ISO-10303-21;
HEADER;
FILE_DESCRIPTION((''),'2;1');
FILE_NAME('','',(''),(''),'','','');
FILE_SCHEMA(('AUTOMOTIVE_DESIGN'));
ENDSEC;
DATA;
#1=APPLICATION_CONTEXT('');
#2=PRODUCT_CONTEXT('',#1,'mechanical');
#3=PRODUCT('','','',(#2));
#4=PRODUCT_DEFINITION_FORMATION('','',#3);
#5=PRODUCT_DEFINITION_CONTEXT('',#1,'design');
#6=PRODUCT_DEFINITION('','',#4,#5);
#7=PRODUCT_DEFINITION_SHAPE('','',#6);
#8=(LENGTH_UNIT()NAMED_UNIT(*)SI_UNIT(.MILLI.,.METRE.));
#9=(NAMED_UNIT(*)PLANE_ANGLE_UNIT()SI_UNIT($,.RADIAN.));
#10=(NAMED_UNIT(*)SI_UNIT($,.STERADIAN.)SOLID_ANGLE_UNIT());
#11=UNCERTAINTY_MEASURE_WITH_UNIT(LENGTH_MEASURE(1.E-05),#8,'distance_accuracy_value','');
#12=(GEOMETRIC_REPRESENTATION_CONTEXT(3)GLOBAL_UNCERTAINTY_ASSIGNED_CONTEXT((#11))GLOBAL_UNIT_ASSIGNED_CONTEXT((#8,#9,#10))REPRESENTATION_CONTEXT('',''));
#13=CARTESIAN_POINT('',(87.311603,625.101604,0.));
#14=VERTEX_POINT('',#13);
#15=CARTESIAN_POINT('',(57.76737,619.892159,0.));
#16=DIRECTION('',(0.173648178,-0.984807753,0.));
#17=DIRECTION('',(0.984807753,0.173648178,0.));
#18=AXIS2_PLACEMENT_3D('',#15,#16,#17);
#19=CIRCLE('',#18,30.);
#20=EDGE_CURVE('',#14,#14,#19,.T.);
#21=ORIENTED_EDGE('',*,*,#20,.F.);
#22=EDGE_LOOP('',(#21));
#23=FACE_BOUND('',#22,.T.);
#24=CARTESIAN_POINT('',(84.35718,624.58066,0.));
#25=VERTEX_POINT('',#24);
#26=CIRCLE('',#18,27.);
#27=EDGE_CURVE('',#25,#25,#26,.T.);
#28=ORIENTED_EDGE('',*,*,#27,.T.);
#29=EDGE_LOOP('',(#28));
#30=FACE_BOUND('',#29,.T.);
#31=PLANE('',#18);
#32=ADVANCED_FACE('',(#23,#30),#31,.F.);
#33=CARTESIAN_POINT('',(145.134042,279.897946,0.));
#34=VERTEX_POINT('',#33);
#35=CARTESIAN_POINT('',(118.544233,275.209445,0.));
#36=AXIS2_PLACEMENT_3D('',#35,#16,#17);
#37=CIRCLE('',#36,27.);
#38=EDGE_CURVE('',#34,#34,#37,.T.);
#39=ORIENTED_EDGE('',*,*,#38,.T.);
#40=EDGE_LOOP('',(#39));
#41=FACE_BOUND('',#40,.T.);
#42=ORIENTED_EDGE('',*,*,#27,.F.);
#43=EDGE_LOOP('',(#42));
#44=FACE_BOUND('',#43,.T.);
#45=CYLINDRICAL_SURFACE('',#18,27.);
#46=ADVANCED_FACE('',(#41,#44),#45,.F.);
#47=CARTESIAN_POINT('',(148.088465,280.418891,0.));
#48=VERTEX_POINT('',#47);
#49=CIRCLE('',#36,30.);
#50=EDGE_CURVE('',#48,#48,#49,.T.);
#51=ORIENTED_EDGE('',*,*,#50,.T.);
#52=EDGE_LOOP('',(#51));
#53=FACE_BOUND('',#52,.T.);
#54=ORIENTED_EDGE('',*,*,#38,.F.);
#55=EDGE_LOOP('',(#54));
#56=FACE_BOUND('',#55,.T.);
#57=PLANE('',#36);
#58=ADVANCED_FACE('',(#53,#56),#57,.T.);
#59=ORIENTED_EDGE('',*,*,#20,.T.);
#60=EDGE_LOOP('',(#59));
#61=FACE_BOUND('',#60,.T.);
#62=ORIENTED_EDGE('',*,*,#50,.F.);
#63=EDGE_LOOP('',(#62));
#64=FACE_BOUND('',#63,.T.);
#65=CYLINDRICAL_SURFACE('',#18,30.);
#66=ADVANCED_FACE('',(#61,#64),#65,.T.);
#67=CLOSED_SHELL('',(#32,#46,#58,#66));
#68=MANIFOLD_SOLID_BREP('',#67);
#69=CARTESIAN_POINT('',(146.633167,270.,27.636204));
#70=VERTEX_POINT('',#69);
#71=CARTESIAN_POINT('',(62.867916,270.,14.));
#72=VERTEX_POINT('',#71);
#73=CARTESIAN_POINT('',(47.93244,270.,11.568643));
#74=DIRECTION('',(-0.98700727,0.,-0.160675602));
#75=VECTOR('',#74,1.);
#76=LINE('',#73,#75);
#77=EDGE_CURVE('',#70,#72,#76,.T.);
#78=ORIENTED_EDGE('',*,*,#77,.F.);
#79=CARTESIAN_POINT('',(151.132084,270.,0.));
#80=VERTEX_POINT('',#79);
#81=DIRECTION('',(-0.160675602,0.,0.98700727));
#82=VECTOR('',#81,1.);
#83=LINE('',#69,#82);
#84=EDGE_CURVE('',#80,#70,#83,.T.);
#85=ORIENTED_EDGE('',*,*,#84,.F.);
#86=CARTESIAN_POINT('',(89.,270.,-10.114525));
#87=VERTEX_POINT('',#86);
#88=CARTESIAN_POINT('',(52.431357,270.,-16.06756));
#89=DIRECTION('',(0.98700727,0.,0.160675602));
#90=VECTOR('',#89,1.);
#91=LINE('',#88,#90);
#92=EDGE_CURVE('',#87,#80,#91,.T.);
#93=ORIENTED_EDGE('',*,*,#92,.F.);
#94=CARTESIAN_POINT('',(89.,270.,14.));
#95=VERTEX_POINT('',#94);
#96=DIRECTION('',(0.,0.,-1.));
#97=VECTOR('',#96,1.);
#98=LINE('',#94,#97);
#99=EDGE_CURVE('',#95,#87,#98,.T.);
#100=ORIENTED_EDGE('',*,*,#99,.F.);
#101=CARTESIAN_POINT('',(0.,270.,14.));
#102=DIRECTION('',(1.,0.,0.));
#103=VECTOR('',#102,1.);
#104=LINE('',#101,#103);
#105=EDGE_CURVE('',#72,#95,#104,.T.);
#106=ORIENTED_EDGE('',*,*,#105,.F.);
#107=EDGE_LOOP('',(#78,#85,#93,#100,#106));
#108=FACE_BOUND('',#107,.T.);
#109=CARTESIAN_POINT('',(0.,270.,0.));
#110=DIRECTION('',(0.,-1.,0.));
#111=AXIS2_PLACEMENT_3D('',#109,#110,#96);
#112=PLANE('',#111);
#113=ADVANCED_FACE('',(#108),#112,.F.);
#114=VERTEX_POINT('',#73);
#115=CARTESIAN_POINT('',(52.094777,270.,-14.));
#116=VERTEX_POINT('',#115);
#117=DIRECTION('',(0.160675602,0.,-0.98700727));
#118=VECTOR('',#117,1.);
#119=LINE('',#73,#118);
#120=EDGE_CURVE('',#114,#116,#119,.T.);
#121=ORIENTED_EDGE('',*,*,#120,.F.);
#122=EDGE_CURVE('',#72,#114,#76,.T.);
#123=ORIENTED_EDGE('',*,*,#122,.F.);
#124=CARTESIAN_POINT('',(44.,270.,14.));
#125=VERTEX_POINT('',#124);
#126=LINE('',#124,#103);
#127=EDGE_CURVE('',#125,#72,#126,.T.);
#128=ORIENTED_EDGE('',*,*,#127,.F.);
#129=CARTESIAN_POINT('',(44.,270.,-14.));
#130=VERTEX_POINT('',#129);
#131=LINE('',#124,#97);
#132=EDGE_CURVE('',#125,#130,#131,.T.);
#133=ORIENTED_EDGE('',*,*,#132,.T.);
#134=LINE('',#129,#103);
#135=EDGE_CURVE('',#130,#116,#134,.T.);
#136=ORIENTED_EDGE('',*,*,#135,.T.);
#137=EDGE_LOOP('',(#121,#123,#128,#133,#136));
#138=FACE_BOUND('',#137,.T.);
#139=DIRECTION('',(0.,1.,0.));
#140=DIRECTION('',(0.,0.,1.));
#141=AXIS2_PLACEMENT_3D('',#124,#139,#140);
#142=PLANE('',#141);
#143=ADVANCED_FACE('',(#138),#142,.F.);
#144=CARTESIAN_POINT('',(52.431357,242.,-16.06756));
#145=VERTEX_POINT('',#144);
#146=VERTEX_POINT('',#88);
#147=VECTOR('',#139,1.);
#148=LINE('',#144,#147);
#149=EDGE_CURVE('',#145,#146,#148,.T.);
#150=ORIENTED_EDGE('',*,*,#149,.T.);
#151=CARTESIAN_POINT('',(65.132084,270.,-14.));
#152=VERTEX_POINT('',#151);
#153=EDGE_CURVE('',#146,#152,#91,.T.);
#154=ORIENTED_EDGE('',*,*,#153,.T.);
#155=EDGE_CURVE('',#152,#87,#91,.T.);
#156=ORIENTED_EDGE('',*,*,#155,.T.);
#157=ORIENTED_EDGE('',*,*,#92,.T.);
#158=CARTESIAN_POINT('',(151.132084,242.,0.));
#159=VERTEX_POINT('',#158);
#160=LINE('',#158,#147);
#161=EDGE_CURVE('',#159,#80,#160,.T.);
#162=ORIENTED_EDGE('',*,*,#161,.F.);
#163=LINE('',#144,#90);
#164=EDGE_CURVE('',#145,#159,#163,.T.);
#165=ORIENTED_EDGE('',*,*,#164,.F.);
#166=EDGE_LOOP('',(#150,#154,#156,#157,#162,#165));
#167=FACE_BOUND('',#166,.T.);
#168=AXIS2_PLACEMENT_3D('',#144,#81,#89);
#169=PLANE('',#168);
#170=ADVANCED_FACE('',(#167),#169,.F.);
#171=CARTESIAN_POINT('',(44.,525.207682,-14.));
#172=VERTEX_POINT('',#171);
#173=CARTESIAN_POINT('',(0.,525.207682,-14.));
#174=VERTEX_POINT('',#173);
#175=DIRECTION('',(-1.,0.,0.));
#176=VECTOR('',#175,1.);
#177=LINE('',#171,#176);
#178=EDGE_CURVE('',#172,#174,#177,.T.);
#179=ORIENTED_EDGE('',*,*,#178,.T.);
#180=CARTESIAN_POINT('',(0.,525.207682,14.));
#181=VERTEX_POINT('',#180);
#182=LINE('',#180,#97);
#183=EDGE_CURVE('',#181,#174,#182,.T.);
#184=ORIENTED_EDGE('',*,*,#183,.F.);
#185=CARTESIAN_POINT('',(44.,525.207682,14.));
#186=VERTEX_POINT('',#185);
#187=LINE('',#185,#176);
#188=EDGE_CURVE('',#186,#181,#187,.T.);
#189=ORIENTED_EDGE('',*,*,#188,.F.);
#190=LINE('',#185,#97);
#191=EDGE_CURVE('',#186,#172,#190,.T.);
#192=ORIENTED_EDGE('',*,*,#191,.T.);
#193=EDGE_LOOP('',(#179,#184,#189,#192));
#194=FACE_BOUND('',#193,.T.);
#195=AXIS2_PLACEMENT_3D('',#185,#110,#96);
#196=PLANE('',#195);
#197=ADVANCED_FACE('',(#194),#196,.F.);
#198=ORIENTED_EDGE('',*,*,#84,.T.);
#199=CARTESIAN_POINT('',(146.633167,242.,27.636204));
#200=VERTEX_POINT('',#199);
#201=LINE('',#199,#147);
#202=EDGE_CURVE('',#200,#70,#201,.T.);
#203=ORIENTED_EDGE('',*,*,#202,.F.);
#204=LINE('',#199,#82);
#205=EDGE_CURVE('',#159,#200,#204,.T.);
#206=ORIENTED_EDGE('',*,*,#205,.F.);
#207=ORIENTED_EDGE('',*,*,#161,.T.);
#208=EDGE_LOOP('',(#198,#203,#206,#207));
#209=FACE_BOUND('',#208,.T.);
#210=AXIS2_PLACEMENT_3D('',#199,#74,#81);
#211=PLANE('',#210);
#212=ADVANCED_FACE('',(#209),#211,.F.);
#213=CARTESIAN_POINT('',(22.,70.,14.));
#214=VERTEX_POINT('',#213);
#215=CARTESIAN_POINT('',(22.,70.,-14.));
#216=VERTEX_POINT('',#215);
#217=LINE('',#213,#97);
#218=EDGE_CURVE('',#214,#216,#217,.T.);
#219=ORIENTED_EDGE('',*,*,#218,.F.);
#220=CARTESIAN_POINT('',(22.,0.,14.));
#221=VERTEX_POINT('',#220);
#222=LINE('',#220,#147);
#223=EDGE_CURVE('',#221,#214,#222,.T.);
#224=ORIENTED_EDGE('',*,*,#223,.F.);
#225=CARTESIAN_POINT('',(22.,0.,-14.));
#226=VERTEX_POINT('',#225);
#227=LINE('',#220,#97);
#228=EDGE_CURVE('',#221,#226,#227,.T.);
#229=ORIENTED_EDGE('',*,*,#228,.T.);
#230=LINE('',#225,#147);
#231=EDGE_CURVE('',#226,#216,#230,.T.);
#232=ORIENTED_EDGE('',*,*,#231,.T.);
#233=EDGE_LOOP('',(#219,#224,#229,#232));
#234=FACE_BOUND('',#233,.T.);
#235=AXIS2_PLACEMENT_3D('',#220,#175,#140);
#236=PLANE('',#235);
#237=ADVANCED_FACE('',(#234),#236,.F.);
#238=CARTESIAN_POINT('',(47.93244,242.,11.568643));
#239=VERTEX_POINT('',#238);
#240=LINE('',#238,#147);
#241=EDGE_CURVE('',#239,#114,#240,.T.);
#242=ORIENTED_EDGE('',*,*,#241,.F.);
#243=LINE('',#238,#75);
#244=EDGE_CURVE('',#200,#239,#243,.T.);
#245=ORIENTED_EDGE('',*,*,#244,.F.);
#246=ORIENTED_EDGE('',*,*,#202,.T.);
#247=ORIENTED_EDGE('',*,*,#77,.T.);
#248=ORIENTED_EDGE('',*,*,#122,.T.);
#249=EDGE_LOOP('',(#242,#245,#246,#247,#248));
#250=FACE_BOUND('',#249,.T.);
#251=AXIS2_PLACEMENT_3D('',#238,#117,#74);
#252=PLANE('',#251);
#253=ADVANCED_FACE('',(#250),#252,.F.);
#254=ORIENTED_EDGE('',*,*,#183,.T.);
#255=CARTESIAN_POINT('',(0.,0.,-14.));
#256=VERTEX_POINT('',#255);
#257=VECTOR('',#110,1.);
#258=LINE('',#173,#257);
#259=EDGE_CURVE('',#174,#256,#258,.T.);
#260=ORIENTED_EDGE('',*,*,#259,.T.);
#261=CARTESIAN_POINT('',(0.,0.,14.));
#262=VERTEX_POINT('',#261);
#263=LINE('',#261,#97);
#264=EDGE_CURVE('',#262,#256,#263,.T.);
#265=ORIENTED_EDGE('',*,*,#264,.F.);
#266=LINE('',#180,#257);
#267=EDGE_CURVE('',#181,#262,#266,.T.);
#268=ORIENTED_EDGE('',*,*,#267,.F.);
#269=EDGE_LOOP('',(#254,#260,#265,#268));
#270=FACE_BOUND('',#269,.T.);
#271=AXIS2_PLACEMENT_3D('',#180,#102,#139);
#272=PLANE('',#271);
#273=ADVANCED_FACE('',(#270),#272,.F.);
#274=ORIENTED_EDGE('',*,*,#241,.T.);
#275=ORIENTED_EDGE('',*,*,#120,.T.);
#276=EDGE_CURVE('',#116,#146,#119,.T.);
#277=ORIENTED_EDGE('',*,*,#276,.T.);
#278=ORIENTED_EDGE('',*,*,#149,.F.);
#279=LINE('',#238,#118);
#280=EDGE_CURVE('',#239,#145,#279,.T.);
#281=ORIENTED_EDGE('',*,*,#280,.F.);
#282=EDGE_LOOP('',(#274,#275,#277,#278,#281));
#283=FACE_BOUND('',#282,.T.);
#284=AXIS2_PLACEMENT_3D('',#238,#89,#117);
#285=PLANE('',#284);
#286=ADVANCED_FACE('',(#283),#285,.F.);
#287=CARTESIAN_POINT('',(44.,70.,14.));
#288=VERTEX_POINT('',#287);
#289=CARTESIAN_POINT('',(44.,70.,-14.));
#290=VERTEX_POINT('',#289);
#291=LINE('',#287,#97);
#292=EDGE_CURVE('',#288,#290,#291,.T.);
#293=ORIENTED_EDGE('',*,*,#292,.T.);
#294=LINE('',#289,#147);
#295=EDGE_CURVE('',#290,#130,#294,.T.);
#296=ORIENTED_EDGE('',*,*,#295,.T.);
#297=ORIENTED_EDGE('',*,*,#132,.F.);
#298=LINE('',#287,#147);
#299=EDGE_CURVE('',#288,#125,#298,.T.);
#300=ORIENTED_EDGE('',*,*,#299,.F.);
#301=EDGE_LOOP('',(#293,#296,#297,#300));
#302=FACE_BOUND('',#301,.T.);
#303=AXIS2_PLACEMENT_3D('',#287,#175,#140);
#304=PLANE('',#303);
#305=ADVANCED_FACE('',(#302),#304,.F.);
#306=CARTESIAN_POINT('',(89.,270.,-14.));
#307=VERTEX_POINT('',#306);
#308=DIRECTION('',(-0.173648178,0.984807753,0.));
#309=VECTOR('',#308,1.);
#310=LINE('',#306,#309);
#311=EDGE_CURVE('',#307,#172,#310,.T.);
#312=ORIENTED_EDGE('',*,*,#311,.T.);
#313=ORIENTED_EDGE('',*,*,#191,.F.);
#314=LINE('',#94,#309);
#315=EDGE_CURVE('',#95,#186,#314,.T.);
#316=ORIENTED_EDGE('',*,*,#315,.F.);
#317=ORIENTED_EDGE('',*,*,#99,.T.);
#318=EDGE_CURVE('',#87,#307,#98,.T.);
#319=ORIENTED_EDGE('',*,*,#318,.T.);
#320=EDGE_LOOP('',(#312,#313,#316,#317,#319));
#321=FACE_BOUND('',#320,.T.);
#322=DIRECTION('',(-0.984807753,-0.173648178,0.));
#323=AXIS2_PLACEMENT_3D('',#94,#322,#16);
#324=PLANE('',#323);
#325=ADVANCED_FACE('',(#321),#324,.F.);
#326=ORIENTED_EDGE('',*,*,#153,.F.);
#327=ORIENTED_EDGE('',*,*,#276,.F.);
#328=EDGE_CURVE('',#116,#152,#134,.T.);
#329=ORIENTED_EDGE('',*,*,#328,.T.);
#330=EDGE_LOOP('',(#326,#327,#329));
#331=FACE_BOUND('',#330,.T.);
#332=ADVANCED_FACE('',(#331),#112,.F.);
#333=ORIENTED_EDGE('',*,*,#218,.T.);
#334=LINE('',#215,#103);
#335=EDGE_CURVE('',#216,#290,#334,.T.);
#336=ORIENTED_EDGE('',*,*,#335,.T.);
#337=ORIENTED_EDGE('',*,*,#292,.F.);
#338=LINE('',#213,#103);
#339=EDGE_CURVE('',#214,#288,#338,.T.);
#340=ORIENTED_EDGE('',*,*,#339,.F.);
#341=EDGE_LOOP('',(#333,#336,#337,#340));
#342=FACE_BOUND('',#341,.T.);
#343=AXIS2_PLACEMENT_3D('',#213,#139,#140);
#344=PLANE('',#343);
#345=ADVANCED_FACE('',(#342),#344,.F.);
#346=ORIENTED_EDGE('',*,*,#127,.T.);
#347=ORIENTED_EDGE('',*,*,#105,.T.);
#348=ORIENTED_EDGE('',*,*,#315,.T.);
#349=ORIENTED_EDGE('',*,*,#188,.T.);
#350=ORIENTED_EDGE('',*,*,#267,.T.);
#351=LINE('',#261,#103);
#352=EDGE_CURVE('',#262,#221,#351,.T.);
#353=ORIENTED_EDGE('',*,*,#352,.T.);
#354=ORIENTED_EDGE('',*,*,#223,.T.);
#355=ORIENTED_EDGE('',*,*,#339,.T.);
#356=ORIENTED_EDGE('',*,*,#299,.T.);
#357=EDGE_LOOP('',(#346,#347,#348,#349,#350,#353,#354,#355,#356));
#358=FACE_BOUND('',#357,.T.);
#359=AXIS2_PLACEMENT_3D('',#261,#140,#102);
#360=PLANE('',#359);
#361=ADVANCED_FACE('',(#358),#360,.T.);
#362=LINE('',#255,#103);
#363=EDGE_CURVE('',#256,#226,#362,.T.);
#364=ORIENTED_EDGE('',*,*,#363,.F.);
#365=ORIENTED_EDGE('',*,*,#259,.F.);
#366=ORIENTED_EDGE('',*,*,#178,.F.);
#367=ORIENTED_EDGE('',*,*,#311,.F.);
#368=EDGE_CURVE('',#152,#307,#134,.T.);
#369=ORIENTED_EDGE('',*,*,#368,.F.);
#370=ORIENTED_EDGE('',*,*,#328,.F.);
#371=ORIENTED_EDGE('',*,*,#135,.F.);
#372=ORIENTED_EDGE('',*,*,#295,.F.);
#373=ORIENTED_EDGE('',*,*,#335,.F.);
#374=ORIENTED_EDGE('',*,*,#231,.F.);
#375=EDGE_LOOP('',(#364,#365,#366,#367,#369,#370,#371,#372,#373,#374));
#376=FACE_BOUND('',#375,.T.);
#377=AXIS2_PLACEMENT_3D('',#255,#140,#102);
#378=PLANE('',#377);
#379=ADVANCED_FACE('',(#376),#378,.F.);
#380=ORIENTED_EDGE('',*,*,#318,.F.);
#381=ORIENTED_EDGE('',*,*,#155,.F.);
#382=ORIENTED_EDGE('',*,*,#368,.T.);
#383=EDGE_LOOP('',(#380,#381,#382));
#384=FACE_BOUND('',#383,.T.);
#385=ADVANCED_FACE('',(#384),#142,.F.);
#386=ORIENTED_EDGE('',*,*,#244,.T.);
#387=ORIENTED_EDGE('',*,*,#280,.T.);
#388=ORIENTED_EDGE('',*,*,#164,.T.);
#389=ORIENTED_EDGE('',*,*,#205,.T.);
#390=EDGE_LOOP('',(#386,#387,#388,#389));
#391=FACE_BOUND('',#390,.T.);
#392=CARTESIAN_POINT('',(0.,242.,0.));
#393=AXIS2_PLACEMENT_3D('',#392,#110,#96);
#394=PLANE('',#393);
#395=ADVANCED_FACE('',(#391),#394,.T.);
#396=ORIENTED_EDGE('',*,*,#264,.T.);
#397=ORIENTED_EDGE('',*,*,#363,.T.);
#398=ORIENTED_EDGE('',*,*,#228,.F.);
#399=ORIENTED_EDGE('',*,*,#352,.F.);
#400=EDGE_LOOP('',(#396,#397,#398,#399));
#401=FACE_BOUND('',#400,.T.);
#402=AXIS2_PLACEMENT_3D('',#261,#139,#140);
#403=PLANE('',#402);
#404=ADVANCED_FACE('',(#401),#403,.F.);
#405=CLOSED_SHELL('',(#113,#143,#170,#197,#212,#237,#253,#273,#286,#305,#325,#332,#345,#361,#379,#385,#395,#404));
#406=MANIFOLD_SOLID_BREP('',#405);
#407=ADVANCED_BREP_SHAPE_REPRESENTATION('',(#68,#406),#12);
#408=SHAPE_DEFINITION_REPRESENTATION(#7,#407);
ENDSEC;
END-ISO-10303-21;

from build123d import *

# Parameters (mm, degrees)
MAIN_EXTRUSION_DEPTH = 14
LOCK_EXTRUSION_DEPTH = 28
ESQUISSE3_R          = 30
ESQUISSE3_R_2        = 27
PLEXIGLAS_DEPTH      = 350


with BuildPart() as part:
    # Esquisse1 → Main Extrusion (new body, symmetric)
    with BuildSketch(Plane.XY):
        Polygon((0, 525.207681883), (0, 0), (22, 0), (22, 70), (44, 70), (44, 270), (89, 270), (44, 525.207681883), align=None)
    extrude(amount=MAIN_EXTRUSION_DEPTH, both=True)

    # Esquisse2 → Lock Extrusion (add)
    with BuildSketch(Plane(origin=(0, 270, 0), x_dir=(-1, 0, 0), z_dir=(0, -1, 0))):
        Polygon((-47.932439792, -11.56864335), (-146.633166785, -27.636203558), (-151.132083643, 0), (-52.43135665, 16.067560208), align=None)
    extrude(amount=LOCK_EXTRUSION_DEPTH)


with BuildPart() as body_2:
    # Esquisse3 → Plexiglas (new body)
    with BuildSketch(Plane(origin=(-43.489040974, 246.638607428, 0), x_dir=(0, 0, -1), z_dir=(0.173648178, -0.984807753, 0))):
        with Locations((0, 164.532897988)):
            Circle(ESQUISSE3_R)
        with Locations((0, 164.532897988)):
            Circle(ESQUISSE3_R_2, mode=Mode.SUBTRACT)
    extrude(amount=-PLEXIGLAS_DEPTH)


solid = Compound([part.part, body_2.part])
